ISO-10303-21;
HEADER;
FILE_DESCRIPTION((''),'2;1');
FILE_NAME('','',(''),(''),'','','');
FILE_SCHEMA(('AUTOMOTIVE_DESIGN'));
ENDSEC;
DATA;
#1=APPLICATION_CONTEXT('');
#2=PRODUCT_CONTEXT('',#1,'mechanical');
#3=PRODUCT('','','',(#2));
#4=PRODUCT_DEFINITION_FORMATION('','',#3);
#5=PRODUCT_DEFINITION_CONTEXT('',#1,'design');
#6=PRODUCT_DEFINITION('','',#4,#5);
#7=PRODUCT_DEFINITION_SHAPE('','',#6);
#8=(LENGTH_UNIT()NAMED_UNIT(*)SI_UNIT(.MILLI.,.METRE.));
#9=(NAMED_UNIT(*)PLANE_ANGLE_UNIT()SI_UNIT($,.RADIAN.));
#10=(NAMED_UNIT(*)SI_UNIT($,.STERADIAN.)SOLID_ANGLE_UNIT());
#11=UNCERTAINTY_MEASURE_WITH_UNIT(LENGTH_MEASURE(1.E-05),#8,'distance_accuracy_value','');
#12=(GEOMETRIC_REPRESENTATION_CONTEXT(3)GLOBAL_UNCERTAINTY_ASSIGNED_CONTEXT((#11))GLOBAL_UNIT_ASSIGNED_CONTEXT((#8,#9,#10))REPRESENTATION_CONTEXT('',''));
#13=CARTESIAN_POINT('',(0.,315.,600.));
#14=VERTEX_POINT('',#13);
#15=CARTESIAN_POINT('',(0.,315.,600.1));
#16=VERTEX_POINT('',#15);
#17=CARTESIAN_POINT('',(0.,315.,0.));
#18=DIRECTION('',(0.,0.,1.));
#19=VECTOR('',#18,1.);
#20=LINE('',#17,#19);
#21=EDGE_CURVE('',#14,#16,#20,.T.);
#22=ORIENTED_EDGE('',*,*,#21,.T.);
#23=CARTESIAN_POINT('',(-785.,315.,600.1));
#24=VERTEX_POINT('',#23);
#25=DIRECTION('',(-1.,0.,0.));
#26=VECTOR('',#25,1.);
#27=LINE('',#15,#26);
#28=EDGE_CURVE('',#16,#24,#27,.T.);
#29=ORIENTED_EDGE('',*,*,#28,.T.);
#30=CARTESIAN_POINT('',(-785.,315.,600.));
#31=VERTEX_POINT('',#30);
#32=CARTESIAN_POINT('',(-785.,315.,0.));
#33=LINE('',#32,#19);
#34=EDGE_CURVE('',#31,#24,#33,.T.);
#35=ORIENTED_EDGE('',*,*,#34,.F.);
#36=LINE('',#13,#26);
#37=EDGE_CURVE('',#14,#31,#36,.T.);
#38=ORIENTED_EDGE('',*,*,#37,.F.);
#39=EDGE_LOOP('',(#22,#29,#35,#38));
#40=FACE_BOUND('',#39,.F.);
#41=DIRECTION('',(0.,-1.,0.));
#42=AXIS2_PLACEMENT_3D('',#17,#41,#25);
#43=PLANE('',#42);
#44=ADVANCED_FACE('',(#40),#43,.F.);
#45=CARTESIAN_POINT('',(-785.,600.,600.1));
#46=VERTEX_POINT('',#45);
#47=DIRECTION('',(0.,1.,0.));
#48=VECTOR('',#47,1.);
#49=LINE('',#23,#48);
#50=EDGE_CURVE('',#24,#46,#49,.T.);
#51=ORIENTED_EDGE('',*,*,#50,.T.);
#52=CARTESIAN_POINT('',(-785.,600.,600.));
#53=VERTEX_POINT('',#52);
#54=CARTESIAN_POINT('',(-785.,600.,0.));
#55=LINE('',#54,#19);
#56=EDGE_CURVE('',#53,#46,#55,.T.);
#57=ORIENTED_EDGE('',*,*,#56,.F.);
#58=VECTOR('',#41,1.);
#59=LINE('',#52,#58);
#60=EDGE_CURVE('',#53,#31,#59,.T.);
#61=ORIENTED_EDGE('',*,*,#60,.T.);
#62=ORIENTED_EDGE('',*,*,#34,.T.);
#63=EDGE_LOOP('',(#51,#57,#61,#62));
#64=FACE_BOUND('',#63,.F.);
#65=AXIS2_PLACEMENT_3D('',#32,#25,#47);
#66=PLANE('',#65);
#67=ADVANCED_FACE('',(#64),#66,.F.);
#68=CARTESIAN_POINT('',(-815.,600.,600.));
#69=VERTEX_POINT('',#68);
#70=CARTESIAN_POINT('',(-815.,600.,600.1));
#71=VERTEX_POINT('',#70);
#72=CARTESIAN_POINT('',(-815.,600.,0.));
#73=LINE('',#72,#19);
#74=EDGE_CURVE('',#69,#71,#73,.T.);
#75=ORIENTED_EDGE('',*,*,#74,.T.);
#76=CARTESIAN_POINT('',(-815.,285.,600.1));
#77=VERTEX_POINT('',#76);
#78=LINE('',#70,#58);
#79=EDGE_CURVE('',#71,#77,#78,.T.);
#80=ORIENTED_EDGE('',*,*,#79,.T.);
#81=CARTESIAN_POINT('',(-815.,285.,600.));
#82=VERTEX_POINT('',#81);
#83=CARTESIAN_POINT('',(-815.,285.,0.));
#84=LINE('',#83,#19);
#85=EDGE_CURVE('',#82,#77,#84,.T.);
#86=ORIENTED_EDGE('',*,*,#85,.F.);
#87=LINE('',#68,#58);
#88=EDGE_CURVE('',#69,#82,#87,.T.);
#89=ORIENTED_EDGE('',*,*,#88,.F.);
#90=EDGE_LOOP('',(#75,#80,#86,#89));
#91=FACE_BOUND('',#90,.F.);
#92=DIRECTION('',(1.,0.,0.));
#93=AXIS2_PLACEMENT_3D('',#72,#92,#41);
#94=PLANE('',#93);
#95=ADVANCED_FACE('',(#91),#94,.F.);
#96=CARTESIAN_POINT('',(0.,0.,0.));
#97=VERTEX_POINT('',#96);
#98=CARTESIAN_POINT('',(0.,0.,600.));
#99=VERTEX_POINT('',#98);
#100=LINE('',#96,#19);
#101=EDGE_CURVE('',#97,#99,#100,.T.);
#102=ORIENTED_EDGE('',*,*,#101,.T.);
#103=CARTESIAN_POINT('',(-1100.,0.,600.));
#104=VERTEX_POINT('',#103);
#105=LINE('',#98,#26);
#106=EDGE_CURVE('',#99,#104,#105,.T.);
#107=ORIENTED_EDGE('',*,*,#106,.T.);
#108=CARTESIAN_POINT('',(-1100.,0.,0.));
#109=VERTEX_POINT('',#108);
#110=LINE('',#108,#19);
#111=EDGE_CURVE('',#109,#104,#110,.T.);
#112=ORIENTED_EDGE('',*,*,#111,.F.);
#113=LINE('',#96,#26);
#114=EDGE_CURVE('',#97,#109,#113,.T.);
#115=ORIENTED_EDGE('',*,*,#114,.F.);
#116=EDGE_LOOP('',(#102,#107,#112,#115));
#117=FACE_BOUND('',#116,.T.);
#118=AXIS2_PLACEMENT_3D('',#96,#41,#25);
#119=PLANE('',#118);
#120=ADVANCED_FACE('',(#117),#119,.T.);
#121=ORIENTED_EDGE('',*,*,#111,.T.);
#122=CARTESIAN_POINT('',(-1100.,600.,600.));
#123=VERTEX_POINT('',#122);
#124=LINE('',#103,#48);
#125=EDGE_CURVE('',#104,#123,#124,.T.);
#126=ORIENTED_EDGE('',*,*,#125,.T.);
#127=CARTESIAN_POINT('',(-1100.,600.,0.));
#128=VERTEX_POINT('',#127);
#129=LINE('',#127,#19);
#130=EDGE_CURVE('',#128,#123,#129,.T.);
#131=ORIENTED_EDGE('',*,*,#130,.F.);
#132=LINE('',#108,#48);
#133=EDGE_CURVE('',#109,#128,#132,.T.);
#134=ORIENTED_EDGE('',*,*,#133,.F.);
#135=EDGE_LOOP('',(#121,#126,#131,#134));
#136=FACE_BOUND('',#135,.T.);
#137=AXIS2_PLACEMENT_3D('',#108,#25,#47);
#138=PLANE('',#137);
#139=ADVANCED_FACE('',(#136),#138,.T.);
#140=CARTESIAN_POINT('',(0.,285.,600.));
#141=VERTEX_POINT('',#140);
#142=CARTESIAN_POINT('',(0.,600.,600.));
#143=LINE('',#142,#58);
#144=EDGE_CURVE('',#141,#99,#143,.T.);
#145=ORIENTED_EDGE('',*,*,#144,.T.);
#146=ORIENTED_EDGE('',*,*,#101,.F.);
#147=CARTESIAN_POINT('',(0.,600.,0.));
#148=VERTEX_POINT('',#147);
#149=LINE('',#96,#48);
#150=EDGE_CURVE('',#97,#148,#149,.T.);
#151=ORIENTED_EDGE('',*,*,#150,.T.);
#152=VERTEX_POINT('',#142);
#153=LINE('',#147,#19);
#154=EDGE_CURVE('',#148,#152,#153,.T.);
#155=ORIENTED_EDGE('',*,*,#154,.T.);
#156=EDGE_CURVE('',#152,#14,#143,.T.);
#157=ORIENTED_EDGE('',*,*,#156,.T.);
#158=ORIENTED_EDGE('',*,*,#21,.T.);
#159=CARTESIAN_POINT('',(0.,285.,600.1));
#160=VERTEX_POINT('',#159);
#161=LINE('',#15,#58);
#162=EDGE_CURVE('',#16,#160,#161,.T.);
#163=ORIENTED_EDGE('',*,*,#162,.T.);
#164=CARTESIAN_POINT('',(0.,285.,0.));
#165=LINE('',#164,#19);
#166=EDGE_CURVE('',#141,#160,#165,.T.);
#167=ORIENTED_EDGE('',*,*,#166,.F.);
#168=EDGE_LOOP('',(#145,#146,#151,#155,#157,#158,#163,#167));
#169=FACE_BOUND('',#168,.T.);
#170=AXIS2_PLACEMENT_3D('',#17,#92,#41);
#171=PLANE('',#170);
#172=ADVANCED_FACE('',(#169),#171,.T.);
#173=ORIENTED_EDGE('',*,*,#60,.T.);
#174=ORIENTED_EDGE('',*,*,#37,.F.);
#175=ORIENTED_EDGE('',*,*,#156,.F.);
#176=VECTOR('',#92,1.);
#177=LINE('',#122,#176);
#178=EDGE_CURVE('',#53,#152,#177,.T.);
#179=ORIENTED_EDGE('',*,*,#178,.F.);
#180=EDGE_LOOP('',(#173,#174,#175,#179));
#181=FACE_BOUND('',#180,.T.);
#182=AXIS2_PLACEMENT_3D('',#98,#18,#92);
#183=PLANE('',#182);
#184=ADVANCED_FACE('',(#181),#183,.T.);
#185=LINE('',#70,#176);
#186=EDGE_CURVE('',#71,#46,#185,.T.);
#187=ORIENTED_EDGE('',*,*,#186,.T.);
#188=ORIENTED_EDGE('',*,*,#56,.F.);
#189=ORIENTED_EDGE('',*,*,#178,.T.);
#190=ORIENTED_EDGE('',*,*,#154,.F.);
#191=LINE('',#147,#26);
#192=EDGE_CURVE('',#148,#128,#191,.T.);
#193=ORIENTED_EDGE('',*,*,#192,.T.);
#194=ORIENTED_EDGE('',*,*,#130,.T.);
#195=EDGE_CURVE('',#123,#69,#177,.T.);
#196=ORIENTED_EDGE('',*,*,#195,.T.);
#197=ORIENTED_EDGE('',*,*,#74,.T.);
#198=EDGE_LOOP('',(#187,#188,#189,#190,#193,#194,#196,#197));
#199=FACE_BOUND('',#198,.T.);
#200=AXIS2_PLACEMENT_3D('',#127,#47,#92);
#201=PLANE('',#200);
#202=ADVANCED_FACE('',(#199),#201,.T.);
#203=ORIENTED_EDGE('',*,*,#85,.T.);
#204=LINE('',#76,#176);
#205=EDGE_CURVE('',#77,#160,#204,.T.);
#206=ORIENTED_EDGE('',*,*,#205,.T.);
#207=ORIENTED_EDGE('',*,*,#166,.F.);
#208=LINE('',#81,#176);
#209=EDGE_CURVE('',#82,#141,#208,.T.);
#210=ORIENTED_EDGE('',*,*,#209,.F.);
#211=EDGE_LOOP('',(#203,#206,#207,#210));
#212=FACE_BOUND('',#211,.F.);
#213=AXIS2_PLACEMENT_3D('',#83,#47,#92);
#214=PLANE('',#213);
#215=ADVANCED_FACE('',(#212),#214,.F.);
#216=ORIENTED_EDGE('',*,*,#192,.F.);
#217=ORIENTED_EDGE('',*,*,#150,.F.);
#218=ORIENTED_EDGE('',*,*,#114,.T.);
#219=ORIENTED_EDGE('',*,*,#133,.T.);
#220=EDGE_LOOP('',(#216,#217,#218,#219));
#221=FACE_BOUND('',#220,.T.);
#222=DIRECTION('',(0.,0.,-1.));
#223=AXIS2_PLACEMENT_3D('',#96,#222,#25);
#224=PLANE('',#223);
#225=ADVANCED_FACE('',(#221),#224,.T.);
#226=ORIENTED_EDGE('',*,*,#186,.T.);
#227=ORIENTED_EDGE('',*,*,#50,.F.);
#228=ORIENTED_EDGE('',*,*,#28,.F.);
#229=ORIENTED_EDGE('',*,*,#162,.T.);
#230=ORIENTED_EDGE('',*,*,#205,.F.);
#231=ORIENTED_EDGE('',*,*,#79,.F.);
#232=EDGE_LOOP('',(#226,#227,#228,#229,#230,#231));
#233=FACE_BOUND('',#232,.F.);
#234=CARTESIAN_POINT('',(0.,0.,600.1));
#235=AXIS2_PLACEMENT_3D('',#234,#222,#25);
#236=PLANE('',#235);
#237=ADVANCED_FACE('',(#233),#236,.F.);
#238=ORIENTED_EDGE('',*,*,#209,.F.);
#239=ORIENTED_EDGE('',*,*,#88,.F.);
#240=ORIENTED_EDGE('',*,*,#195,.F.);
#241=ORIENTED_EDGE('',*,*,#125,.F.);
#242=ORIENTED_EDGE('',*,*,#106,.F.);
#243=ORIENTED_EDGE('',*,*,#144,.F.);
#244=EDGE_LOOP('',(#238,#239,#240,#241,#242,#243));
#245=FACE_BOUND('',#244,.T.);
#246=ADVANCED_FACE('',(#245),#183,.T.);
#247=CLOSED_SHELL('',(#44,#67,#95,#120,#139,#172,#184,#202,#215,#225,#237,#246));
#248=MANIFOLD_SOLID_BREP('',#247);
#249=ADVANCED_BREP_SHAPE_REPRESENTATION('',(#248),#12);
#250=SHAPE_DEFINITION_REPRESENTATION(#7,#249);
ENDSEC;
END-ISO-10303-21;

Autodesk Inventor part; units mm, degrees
ref_plane "YZ Plane" through (0, 0, 0) normal (1, 0, 0) x (0, 1, 0)
ref_plane "XZ Plane" through (0, 0, 0) normal (0, 1, 0) x (-1, 0, 0)
ref_plane "XY Plane" through (0, 0, 0) normal (0, 0, 1) x (1, 0, 0)
sketch "スケッチ1" plane through (0, 0, 0) normal (0, 0, 1) x (1, 0, 0)
  line L0 (0, 0) -> (-1100, 0)
  line L1 (-1100, 0) -> (-1100, 600)
  line L2 (-1100, 600) -> (0, 600)
  line L3 (0, 600) -> (0, 0)
  line L4 (-815, 600) -> (-785, 600)
  line L5 (-785, 600) -> (-785, 285)
  line L6 (-785, 285) -> (-815, 285)
  line L7 (-815, 285) -> (-815, 600)
  line L8 (-815, 285) -> (0, 285)
  line L9 (0, 285) -> (0, 315)
  line L10 (0, 315) -> (-815, 315)
  line L11 (-815, 315) -> (-815, 285)
  point P0 (0, 300)
  point P1 (0, 300)
  dimension "d0" = 1100
  dimension "d1" = 600
  dimension "d2" = 30
  dimension "d3" = 785
extrude "押し出し1" add sketch "スケッチ1" along normal blind 600 contours L0 L1 L2 L7 L6 L8 L3 | L10 L5 L2 L3
sketch "スケッチ2" plane through (0, 0, 0) normal (0, 0, -1) x (-1, 0, 0)
  line L0 (815, 285) -> (0, 285) projected
  line L1 (815, 600) -> (815, 285) projected
  line L2 (0, 315) -> (785, 315) projected
  line L3 (785, 315) -> (785, 600) projected
  line L4 (0, 600) -> (785, 600) projected
  line L5 (0, 315) -> (0, 600) projected
  line L6 (815, 600) -> (785, 600)
  line L7 (0, 315) -> (0, 285)
extrude "押し出し2" add sketch "スケッチ2" against normal blind 600.1 contours L0 L7 L2 L3 L6 L1
sketch "スケッチ3" plane through (0, 0, 600.1) normal (0, 0, 1) x (1, 0, 0)
  line L0 (-815, 600) -> (-815, 285) projected
  line L1 (-815, 285) -> (0, 285) projected
  line L2 (0, 315) -> (-785, 315) projected
  point P0 (0, 0)
  point P1 (-800, 300)
  point P2 (-800, 500)
  point P3 (-500, 300)
  dimension "d8" = 15
  dimension "d9" = 15
  dimension "d10" = 15
  dimension "d11" = 200
  dimension "d12" = 300
  dimension "d13" = 15
equation "\"d9\" = d8"
properties part number "River 3_赤"
